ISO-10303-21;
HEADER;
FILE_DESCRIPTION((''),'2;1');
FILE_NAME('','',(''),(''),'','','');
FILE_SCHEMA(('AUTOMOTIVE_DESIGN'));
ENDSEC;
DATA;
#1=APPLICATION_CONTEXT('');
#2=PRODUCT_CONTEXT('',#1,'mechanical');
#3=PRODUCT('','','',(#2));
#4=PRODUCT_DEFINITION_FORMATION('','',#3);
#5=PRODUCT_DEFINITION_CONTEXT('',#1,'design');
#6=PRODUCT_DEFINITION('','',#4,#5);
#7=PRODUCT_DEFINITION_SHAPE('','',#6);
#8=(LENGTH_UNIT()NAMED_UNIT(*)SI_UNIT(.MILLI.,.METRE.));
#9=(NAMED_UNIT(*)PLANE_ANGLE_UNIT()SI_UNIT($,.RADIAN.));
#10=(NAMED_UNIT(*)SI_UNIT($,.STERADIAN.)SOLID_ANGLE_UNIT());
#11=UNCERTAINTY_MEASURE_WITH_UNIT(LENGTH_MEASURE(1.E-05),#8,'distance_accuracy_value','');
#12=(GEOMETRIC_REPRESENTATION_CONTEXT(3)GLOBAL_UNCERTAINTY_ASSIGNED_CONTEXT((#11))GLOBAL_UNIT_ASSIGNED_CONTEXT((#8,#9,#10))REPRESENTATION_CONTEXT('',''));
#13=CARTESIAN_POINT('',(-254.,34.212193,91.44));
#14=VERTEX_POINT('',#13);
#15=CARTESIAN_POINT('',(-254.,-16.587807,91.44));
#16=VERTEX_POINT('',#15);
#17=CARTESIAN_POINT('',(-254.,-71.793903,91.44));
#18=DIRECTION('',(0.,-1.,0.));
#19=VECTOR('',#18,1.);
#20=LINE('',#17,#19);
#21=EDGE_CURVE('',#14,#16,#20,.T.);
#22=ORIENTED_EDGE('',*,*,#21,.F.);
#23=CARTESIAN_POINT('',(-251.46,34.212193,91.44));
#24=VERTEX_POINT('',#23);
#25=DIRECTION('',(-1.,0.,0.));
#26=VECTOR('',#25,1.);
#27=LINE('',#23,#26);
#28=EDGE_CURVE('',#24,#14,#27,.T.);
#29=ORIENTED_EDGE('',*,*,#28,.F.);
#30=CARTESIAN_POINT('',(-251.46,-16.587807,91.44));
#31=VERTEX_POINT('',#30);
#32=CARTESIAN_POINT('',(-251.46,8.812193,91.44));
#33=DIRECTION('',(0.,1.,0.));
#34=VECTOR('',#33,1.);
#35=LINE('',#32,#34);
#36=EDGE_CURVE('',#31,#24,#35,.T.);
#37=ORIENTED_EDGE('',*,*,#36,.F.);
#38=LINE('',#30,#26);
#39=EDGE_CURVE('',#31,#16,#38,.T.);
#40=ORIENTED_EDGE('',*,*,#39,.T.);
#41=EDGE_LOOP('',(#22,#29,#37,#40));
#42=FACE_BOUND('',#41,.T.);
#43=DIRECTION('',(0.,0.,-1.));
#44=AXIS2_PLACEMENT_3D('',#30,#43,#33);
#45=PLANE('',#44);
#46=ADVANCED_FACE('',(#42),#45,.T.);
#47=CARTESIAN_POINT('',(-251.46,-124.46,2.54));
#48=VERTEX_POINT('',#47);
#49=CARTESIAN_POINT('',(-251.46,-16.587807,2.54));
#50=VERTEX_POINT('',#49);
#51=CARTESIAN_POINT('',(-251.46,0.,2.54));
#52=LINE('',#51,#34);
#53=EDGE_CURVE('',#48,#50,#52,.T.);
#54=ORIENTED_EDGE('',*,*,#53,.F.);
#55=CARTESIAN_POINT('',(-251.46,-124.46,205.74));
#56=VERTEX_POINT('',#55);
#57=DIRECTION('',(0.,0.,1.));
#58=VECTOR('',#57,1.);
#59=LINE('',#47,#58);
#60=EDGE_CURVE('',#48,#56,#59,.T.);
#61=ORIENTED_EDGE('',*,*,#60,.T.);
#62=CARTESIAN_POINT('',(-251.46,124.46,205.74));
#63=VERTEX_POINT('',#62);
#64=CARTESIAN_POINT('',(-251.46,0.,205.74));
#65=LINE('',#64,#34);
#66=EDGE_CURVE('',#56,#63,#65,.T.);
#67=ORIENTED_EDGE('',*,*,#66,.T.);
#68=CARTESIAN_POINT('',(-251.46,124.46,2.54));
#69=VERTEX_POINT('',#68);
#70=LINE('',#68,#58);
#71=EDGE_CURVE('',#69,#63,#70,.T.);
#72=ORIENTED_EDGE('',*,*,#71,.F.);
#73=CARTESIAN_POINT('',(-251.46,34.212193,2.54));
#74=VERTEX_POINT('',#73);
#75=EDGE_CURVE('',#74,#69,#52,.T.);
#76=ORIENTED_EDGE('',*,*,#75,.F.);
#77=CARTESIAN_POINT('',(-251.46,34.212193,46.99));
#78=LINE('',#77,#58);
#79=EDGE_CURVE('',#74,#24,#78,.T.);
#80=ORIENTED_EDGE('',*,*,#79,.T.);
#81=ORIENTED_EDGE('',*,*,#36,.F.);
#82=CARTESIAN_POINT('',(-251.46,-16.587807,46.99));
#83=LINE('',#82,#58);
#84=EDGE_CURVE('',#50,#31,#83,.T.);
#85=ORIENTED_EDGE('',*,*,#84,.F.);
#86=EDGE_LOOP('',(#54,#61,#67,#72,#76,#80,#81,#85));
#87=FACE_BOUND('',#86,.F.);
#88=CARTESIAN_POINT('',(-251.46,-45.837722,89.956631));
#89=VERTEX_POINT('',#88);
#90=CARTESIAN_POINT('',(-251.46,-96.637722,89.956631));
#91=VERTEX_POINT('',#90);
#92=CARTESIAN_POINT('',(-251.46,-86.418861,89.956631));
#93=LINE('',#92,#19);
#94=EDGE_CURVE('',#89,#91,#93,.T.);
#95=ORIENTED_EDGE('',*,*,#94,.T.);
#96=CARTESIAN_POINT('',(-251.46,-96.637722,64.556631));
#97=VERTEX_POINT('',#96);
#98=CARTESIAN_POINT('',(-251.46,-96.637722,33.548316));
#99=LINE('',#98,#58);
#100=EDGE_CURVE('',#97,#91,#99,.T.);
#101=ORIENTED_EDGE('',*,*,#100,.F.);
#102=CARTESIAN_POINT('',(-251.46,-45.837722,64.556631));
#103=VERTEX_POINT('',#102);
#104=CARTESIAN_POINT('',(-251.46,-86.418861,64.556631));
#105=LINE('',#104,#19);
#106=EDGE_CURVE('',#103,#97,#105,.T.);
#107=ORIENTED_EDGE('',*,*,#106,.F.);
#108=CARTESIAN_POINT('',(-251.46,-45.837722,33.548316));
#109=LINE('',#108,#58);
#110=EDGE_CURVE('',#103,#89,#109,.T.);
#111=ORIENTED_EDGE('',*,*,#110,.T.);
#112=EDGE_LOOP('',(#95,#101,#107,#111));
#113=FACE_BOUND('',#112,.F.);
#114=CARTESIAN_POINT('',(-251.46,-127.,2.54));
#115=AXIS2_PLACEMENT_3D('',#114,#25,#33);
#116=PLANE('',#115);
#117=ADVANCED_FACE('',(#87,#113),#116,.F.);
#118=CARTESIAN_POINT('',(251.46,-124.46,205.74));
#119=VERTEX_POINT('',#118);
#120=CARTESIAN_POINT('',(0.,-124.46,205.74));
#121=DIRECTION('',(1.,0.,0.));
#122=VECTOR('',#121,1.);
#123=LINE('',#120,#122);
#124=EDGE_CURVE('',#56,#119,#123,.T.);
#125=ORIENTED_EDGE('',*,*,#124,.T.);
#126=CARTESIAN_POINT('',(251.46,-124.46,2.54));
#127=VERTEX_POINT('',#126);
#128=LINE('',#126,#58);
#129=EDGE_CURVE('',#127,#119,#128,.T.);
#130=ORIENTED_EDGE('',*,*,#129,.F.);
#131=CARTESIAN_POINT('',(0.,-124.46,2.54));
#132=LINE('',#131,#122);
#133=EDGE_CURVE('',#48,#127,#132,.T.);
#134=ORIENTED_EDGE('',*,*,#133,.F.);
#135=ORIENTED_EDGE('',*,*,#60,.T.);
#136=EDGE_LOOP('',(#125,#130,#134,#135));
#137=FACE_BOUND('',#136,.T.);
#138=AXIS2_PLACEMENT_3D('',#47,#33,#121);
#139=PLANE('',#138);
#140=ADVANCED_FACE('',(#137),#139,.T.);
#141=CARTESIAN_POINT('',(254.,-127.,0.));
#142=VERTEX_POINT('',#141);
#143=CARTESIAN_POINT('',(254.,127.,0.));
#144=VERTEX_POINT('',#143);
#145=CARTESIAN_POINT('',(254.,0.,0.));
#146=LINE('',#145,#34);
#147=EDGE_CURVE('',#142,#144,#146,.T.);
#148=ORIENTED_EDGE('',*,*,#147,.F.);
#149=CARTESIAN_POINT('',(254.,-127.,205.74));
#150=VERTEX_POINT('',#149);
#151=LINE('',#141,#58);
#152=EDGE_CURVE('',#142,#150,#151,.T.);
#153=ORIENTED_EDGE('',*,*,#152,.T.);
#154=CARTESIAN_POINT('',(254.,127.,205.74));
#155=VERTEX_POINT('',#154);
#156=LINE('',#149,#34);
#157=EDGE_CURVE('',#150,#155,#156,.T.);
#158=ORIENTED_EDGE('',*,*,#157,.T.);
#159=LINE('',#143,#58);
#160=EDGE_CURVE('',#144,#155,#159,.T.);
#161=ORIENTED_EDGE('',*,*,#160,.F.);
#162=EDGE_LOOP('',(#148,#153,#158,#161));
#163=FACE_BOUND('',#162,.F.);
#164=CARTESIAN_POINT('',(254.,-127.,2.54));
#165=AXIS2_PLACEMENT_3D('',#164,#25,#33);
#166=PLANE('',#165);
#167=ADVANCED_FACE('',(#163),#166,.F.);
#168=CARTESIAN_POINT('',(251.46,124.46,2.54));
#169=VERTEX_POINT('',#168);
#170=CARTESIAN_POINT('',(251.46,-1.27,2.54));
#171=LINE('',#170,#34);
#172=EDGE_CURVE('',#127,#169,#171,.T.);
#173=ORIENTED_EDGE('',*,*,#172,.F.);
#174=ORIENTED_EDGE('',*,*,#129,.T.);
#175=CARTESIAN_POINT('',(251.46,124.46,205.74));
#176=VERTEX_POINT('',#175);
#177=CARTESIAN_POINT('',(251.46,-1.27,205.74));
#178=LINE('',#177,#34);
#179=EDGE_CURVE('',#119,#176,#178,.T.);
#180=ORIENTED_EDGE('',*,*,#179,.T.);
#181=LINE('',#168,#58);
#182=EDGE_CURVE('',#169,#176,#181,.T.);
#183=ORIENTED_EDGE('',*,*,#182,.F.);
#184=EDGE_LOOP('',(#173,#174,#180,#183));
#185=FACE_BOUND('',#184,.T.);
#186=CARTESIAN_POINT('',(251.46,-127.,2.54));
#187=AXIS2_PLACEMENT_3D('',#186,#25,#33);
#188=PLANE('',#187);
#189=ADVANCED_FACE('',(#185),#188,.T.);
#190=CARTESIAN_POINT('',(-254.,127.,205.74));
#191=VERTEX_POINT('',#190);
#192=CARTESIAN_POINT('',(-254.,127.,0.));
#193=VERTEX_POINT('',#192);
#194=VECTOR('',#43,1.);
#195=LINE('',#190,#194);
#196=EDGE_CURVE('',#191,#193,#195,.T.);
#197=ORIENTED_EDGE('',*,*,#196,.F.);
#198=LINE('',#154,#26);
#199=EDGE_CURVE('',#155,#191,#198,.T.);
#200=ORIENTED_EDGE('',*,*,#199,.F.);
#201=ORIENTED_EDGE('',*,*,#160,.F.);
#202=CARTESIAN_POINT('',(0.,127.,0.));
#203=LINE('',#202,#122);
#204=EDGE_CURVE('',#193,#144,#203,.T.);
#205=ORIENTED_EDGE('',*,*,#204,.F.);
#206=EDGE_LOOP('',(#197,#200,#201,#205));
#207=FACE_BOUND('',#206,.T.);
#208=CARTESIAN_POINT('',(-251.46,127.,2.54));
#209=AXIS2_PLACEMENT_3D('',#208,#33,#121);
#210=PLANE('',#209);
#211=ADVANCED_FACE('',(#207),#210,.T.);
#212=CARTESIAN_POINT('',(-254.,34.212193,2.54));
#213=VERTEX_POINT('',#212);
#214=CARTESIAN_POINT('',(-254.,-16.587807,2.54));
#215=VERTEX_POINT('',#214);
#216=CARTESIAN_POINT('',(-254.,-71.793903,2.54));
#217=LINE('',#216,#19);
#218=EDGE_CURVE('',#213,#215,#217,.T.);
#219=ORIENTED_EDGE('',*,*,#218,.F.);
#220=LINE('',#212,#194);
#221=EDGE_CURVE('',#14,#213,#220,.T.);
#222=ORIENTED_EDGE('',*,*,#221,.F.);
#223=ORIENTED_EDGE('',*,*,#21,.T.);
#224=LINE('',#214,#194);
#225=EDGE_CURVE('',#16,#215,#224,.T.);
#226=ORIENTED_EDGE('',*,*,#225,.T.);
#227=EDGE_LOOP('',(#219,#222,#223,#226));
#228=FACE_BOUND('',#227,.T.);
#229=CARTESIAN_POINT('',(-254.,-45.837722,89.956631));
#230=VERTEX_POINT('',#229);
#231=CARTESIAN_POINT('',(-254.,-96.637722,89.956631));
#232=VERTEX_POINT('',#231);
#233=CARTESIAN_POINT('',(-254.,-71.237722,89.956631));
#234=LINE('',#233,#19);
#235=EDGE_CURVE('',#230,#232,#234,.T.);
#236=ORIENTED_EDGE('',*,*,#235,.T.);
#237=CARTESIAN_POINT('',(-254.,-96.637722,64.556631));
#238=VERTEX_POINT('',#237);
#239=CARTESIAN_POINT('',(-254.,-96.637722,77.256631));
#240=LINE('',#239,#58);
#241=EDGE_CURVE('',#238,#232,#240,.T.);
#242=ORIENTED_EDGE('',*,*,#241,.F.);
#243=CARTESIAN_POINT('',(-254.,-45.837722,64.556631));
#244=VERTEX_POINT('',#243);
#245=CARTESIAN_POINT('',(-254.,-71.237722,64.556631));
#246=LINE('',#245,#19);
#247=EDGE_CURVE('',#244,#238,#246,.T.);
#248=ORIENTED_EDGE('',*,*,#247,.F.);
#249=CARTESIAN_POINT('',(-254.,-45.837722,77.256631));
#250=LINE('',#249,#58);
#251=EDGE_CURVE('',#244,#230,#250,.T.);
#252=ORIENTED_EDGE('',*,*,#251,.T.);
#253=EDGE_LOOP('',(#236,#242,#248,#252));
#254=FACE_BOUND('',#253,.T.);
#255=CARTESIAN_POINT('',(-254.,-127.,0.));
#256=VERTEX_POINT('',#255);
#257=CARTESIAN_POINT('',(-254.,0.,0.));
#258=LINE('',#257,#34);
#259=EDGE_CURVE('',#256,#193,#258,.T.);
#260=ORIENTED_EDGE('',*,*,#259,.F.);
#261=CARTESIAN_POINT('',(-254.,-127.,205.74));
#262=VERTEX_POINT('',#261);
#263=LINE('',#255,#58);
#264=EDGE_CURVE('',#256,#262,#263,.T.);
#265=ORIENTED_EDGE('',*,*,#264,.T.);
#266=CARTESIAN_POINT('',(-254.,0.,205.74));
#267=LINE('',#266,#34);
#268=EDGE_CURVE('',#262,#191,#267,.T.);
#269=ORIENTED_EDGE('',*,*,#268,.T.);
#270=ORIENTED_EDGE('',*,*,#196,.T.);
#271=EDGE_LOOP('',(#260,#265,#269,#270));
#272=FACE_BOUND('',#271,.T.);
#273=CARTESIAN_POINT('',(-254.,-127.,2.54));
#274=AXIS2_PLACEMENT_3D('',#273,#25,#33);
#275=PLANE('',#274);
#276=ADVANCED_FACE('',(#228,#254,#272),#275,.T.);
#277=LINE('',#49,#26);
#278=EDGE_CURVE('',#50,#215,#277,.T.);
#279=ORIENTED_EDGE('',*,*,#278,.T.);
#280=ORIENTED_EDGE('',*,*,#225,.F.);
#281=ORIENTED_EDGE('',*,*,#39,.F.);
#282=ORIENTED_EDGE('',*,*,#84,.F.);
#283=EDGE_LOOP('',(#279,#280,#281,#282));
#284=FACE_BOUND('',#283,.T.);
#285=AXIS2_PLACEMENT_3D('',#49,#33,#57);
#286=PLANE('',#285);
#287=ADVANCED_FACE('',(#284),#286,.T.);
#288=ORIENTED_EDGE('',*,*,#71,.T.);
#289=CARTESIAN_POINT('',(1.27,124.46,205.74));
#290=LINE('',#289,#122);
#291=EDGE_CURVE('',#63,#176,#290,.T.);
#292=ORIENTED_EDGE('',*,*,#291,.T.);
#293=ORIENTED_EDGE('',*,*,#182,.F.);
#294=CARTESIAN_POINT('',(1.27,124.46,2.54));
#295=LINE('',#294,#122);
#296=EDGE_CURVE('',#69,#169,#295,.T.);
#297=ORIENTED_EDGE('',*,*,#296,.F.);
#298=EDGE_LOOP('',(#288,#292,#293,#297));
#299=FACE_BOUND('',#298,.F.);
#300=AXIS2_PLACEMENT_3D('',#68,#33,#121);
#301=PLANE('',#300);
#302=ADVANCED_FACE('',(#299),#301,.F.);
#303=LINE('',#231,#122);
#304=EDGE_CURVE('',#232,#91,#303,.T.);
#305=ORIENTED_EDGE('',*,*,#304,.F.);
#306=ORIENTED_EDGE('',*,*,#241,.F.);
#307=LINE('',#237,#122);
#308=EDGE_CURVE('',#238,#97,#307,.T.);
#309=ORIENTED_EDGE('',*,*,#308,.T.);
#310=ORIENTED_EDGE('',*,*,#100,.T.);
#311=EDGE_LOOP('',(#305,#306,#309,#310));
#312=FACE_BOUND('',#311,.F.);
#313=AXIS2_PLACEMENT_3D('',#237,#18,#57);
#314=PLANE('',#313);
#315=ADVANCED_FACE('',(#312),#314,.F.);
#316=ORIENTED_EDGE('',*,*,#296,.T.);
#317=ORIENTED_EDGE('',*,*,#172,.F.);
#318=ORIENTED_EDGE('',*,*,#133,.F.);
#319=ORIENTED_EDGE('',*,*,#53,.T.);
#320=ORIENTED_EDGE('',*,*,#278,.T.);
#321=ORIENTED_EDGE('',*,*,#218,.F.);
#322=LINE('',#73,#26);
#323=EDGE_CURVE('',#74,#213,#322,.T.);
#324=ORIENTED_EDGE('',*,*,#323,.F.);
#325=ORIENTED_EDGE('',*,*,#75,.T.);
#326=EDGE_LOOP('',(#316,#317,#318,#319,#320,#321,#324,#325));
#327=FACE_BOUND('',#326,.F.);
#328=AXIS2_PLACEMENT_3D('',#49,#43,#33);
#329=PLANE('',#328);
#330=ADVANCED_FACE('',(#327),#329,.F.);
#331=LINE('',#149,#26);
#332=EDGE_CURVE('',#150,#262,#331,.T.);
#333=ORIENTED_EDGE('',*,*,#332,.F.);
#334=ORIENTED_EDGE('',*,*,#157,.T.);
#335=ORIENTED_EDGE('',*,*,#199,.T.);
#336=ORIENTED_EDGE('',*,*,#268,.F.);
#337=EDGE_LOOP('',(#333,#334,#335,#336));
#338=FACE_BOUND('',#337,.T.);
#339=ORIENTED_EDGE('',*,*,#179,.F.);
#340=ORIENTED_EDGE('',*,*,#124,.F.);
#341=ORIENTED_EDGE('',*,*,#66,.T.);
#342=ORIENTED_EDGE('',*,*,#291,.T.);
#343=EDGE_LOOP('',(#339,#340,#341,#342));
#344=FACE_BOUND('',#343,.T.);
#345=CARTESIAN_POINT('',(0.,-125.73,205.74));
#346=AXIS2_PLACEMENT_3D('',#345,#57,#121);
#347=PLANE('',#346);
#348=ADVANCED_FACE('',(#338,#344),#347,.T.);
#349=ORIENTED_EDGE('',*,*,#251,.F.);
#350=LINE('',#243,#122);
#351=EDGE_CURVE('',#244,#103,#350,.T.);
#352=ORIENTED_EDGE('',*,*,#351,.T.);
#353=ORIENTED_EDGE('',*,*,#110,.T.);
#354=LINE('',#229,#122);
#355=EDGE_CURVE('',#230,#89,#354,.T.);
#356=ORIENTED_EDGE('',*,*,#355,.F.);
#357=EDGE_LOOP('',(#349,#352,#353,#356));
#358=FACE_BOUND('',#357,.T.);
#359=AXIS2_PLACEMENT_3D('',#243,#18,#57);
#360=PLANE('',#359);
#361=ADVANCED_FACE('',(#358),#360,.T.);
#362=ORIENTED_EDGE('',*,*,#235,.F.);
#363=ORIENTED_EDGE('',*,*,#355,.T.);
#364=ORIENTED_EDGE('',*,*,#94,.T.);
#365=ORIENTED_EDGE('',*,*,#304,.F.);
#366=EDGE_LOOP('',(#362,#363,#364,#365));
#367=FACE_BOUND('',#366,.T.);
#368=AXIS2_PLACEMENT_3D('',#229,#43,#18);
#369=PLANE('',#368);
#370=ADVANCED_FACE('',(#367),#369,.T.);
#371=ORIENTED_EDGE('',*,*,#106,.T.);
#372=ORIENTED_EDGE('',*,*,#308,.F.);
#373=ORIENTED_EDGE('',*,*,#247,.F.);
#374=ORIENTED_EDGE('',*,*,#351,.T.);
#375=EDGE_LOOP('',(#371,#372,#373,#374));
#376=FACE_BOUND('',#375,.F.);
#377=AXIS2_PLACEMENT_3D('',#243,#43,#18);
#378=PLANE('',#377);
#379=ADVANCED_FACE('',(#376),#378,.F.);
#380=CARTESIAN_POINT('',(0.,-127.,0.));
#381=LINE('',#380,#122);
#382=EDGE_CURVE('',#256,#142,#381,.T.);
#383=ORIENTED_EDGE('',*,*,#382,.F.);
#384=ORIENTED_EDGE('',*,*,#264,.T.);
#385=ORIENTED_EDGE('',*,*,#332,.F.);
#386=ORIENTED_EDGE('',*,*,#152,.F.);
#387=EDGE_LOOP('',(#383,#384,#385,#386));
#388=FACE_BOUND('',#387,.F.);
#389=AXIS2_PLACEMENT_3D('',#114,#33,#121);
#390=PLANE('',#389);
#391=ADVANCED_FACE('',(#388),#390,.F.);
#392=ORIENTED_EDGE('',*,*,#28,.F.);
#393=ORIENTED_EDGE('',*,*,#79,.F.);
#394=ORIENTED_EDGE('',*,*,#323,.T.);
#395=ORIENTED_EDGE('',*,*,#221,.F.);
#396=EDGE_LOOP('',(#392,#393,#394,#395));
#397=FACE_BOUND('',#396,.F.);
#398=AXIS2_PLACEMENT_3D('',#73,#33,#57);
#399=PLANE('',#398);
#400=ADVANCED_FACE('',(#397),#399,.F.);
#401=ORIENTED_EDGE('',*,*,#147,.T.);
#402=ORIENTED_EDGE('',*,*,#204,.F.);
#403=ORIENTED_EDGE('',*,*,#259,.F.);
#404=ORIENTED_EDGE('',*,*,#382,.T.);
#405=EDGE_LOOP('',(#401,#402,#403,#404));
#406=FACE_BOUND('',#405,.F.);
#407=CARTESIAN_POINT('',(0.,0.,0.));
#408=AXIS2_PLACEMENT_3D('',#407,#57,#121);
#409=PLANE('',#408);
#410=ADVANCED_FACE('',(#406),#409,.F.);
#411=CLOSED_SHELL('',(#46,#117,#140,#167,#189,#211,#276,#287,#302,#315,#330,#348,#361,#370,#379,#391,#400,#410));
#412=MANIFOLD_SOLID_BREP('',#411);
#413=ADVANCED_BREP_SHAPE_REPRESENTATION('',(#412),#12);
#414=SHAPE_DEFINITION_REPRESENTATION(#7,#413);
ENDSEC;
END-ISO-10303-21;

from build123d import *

# Parameters (mm, degrees)
F0_W      = 508
F0_H      = 254
F1_DEPTH  = 2.54
F2_W      = 2.54
F2_H      = 254
F3_DEPTH  = 203.2
F4_W      = 505.46
F4_H      = 2.54
F5_DEPTH  = 203.2
F6_W      = 2.54
F6_H      = 251.46
F7_DEPTH  = 203.2
F8_W      = 502.92
F8_H      = 2.54
F9_DEPTH  = 203.2
F10_W     = 50.8
F10_H     = 88.9
F11_DEPTH = 25.4
F12_W     = 50.8
F12_H     = 25.4
F13_DEPTH = 25.4


with BuildPart() as f1:
    # F0 (on Top) → F1 (new body)
    with BuildSketch(Plane.XY):
        Rectangle(F0_W, F0_H)
    extrude(amount=F1_DEPTH)

    # F2 (on face) → F3 (join)
    with BuildSketch(Plane.XY.offset(2.54)):
        with Locations((-252.73, 0)):
            Rectangle(F2_W, F2_H)
    extrude(amount=F3_DEPTH)

    # F4 (on face) → F5 (join)
    with BuildSketch(Plane.XY.offset(2.54)):
        with Locations((1.27, 125.73)):
            Rectangle(F4_W, F4_H)
    extrude(amount=F5_DEPTH)

    # F6 (on face) → F7 (join)
    with BuildSketch(Plane.XY.offset(2.54)):
        with Locations((252.73, -1.27)):
            Rectangle(F6_W, F6_H)
    extrude(amount=F7_DEPTH)

    # F8 (on face) → F9 (join)
    with BuildSketch(Plane.XY.offset(2.54)):
        with Locations((0, -125.73)):
            Rectangle(F8_W, F8_H)
    extrude(amount=F9_DEPTH)

    # F10 (on face) → F11 (cut)
    with BuildSketch(Plane.YZ.offset(-251.46)):
        with Locations((8.812193, 46.99)):
            Rectangle(F10_W, F10_H)
    extrude(amount=-F11_DEPTH, mode=Mode.SUBTRACT)

    # F12 (on face) → F13 (cut)
    with BuildSketch(Plane(origin=(-254, 0, 0), x_dir=(0, -1, 0), z_dir=(-1, 0, 0))):
        with Locations((71.237722, 77.256631)):
            Rectangle(F12_W, F12_H)
    extrude(amount=-F13_DEPTH, mode=Mode.SUBTRACT)


solid = f1.part
